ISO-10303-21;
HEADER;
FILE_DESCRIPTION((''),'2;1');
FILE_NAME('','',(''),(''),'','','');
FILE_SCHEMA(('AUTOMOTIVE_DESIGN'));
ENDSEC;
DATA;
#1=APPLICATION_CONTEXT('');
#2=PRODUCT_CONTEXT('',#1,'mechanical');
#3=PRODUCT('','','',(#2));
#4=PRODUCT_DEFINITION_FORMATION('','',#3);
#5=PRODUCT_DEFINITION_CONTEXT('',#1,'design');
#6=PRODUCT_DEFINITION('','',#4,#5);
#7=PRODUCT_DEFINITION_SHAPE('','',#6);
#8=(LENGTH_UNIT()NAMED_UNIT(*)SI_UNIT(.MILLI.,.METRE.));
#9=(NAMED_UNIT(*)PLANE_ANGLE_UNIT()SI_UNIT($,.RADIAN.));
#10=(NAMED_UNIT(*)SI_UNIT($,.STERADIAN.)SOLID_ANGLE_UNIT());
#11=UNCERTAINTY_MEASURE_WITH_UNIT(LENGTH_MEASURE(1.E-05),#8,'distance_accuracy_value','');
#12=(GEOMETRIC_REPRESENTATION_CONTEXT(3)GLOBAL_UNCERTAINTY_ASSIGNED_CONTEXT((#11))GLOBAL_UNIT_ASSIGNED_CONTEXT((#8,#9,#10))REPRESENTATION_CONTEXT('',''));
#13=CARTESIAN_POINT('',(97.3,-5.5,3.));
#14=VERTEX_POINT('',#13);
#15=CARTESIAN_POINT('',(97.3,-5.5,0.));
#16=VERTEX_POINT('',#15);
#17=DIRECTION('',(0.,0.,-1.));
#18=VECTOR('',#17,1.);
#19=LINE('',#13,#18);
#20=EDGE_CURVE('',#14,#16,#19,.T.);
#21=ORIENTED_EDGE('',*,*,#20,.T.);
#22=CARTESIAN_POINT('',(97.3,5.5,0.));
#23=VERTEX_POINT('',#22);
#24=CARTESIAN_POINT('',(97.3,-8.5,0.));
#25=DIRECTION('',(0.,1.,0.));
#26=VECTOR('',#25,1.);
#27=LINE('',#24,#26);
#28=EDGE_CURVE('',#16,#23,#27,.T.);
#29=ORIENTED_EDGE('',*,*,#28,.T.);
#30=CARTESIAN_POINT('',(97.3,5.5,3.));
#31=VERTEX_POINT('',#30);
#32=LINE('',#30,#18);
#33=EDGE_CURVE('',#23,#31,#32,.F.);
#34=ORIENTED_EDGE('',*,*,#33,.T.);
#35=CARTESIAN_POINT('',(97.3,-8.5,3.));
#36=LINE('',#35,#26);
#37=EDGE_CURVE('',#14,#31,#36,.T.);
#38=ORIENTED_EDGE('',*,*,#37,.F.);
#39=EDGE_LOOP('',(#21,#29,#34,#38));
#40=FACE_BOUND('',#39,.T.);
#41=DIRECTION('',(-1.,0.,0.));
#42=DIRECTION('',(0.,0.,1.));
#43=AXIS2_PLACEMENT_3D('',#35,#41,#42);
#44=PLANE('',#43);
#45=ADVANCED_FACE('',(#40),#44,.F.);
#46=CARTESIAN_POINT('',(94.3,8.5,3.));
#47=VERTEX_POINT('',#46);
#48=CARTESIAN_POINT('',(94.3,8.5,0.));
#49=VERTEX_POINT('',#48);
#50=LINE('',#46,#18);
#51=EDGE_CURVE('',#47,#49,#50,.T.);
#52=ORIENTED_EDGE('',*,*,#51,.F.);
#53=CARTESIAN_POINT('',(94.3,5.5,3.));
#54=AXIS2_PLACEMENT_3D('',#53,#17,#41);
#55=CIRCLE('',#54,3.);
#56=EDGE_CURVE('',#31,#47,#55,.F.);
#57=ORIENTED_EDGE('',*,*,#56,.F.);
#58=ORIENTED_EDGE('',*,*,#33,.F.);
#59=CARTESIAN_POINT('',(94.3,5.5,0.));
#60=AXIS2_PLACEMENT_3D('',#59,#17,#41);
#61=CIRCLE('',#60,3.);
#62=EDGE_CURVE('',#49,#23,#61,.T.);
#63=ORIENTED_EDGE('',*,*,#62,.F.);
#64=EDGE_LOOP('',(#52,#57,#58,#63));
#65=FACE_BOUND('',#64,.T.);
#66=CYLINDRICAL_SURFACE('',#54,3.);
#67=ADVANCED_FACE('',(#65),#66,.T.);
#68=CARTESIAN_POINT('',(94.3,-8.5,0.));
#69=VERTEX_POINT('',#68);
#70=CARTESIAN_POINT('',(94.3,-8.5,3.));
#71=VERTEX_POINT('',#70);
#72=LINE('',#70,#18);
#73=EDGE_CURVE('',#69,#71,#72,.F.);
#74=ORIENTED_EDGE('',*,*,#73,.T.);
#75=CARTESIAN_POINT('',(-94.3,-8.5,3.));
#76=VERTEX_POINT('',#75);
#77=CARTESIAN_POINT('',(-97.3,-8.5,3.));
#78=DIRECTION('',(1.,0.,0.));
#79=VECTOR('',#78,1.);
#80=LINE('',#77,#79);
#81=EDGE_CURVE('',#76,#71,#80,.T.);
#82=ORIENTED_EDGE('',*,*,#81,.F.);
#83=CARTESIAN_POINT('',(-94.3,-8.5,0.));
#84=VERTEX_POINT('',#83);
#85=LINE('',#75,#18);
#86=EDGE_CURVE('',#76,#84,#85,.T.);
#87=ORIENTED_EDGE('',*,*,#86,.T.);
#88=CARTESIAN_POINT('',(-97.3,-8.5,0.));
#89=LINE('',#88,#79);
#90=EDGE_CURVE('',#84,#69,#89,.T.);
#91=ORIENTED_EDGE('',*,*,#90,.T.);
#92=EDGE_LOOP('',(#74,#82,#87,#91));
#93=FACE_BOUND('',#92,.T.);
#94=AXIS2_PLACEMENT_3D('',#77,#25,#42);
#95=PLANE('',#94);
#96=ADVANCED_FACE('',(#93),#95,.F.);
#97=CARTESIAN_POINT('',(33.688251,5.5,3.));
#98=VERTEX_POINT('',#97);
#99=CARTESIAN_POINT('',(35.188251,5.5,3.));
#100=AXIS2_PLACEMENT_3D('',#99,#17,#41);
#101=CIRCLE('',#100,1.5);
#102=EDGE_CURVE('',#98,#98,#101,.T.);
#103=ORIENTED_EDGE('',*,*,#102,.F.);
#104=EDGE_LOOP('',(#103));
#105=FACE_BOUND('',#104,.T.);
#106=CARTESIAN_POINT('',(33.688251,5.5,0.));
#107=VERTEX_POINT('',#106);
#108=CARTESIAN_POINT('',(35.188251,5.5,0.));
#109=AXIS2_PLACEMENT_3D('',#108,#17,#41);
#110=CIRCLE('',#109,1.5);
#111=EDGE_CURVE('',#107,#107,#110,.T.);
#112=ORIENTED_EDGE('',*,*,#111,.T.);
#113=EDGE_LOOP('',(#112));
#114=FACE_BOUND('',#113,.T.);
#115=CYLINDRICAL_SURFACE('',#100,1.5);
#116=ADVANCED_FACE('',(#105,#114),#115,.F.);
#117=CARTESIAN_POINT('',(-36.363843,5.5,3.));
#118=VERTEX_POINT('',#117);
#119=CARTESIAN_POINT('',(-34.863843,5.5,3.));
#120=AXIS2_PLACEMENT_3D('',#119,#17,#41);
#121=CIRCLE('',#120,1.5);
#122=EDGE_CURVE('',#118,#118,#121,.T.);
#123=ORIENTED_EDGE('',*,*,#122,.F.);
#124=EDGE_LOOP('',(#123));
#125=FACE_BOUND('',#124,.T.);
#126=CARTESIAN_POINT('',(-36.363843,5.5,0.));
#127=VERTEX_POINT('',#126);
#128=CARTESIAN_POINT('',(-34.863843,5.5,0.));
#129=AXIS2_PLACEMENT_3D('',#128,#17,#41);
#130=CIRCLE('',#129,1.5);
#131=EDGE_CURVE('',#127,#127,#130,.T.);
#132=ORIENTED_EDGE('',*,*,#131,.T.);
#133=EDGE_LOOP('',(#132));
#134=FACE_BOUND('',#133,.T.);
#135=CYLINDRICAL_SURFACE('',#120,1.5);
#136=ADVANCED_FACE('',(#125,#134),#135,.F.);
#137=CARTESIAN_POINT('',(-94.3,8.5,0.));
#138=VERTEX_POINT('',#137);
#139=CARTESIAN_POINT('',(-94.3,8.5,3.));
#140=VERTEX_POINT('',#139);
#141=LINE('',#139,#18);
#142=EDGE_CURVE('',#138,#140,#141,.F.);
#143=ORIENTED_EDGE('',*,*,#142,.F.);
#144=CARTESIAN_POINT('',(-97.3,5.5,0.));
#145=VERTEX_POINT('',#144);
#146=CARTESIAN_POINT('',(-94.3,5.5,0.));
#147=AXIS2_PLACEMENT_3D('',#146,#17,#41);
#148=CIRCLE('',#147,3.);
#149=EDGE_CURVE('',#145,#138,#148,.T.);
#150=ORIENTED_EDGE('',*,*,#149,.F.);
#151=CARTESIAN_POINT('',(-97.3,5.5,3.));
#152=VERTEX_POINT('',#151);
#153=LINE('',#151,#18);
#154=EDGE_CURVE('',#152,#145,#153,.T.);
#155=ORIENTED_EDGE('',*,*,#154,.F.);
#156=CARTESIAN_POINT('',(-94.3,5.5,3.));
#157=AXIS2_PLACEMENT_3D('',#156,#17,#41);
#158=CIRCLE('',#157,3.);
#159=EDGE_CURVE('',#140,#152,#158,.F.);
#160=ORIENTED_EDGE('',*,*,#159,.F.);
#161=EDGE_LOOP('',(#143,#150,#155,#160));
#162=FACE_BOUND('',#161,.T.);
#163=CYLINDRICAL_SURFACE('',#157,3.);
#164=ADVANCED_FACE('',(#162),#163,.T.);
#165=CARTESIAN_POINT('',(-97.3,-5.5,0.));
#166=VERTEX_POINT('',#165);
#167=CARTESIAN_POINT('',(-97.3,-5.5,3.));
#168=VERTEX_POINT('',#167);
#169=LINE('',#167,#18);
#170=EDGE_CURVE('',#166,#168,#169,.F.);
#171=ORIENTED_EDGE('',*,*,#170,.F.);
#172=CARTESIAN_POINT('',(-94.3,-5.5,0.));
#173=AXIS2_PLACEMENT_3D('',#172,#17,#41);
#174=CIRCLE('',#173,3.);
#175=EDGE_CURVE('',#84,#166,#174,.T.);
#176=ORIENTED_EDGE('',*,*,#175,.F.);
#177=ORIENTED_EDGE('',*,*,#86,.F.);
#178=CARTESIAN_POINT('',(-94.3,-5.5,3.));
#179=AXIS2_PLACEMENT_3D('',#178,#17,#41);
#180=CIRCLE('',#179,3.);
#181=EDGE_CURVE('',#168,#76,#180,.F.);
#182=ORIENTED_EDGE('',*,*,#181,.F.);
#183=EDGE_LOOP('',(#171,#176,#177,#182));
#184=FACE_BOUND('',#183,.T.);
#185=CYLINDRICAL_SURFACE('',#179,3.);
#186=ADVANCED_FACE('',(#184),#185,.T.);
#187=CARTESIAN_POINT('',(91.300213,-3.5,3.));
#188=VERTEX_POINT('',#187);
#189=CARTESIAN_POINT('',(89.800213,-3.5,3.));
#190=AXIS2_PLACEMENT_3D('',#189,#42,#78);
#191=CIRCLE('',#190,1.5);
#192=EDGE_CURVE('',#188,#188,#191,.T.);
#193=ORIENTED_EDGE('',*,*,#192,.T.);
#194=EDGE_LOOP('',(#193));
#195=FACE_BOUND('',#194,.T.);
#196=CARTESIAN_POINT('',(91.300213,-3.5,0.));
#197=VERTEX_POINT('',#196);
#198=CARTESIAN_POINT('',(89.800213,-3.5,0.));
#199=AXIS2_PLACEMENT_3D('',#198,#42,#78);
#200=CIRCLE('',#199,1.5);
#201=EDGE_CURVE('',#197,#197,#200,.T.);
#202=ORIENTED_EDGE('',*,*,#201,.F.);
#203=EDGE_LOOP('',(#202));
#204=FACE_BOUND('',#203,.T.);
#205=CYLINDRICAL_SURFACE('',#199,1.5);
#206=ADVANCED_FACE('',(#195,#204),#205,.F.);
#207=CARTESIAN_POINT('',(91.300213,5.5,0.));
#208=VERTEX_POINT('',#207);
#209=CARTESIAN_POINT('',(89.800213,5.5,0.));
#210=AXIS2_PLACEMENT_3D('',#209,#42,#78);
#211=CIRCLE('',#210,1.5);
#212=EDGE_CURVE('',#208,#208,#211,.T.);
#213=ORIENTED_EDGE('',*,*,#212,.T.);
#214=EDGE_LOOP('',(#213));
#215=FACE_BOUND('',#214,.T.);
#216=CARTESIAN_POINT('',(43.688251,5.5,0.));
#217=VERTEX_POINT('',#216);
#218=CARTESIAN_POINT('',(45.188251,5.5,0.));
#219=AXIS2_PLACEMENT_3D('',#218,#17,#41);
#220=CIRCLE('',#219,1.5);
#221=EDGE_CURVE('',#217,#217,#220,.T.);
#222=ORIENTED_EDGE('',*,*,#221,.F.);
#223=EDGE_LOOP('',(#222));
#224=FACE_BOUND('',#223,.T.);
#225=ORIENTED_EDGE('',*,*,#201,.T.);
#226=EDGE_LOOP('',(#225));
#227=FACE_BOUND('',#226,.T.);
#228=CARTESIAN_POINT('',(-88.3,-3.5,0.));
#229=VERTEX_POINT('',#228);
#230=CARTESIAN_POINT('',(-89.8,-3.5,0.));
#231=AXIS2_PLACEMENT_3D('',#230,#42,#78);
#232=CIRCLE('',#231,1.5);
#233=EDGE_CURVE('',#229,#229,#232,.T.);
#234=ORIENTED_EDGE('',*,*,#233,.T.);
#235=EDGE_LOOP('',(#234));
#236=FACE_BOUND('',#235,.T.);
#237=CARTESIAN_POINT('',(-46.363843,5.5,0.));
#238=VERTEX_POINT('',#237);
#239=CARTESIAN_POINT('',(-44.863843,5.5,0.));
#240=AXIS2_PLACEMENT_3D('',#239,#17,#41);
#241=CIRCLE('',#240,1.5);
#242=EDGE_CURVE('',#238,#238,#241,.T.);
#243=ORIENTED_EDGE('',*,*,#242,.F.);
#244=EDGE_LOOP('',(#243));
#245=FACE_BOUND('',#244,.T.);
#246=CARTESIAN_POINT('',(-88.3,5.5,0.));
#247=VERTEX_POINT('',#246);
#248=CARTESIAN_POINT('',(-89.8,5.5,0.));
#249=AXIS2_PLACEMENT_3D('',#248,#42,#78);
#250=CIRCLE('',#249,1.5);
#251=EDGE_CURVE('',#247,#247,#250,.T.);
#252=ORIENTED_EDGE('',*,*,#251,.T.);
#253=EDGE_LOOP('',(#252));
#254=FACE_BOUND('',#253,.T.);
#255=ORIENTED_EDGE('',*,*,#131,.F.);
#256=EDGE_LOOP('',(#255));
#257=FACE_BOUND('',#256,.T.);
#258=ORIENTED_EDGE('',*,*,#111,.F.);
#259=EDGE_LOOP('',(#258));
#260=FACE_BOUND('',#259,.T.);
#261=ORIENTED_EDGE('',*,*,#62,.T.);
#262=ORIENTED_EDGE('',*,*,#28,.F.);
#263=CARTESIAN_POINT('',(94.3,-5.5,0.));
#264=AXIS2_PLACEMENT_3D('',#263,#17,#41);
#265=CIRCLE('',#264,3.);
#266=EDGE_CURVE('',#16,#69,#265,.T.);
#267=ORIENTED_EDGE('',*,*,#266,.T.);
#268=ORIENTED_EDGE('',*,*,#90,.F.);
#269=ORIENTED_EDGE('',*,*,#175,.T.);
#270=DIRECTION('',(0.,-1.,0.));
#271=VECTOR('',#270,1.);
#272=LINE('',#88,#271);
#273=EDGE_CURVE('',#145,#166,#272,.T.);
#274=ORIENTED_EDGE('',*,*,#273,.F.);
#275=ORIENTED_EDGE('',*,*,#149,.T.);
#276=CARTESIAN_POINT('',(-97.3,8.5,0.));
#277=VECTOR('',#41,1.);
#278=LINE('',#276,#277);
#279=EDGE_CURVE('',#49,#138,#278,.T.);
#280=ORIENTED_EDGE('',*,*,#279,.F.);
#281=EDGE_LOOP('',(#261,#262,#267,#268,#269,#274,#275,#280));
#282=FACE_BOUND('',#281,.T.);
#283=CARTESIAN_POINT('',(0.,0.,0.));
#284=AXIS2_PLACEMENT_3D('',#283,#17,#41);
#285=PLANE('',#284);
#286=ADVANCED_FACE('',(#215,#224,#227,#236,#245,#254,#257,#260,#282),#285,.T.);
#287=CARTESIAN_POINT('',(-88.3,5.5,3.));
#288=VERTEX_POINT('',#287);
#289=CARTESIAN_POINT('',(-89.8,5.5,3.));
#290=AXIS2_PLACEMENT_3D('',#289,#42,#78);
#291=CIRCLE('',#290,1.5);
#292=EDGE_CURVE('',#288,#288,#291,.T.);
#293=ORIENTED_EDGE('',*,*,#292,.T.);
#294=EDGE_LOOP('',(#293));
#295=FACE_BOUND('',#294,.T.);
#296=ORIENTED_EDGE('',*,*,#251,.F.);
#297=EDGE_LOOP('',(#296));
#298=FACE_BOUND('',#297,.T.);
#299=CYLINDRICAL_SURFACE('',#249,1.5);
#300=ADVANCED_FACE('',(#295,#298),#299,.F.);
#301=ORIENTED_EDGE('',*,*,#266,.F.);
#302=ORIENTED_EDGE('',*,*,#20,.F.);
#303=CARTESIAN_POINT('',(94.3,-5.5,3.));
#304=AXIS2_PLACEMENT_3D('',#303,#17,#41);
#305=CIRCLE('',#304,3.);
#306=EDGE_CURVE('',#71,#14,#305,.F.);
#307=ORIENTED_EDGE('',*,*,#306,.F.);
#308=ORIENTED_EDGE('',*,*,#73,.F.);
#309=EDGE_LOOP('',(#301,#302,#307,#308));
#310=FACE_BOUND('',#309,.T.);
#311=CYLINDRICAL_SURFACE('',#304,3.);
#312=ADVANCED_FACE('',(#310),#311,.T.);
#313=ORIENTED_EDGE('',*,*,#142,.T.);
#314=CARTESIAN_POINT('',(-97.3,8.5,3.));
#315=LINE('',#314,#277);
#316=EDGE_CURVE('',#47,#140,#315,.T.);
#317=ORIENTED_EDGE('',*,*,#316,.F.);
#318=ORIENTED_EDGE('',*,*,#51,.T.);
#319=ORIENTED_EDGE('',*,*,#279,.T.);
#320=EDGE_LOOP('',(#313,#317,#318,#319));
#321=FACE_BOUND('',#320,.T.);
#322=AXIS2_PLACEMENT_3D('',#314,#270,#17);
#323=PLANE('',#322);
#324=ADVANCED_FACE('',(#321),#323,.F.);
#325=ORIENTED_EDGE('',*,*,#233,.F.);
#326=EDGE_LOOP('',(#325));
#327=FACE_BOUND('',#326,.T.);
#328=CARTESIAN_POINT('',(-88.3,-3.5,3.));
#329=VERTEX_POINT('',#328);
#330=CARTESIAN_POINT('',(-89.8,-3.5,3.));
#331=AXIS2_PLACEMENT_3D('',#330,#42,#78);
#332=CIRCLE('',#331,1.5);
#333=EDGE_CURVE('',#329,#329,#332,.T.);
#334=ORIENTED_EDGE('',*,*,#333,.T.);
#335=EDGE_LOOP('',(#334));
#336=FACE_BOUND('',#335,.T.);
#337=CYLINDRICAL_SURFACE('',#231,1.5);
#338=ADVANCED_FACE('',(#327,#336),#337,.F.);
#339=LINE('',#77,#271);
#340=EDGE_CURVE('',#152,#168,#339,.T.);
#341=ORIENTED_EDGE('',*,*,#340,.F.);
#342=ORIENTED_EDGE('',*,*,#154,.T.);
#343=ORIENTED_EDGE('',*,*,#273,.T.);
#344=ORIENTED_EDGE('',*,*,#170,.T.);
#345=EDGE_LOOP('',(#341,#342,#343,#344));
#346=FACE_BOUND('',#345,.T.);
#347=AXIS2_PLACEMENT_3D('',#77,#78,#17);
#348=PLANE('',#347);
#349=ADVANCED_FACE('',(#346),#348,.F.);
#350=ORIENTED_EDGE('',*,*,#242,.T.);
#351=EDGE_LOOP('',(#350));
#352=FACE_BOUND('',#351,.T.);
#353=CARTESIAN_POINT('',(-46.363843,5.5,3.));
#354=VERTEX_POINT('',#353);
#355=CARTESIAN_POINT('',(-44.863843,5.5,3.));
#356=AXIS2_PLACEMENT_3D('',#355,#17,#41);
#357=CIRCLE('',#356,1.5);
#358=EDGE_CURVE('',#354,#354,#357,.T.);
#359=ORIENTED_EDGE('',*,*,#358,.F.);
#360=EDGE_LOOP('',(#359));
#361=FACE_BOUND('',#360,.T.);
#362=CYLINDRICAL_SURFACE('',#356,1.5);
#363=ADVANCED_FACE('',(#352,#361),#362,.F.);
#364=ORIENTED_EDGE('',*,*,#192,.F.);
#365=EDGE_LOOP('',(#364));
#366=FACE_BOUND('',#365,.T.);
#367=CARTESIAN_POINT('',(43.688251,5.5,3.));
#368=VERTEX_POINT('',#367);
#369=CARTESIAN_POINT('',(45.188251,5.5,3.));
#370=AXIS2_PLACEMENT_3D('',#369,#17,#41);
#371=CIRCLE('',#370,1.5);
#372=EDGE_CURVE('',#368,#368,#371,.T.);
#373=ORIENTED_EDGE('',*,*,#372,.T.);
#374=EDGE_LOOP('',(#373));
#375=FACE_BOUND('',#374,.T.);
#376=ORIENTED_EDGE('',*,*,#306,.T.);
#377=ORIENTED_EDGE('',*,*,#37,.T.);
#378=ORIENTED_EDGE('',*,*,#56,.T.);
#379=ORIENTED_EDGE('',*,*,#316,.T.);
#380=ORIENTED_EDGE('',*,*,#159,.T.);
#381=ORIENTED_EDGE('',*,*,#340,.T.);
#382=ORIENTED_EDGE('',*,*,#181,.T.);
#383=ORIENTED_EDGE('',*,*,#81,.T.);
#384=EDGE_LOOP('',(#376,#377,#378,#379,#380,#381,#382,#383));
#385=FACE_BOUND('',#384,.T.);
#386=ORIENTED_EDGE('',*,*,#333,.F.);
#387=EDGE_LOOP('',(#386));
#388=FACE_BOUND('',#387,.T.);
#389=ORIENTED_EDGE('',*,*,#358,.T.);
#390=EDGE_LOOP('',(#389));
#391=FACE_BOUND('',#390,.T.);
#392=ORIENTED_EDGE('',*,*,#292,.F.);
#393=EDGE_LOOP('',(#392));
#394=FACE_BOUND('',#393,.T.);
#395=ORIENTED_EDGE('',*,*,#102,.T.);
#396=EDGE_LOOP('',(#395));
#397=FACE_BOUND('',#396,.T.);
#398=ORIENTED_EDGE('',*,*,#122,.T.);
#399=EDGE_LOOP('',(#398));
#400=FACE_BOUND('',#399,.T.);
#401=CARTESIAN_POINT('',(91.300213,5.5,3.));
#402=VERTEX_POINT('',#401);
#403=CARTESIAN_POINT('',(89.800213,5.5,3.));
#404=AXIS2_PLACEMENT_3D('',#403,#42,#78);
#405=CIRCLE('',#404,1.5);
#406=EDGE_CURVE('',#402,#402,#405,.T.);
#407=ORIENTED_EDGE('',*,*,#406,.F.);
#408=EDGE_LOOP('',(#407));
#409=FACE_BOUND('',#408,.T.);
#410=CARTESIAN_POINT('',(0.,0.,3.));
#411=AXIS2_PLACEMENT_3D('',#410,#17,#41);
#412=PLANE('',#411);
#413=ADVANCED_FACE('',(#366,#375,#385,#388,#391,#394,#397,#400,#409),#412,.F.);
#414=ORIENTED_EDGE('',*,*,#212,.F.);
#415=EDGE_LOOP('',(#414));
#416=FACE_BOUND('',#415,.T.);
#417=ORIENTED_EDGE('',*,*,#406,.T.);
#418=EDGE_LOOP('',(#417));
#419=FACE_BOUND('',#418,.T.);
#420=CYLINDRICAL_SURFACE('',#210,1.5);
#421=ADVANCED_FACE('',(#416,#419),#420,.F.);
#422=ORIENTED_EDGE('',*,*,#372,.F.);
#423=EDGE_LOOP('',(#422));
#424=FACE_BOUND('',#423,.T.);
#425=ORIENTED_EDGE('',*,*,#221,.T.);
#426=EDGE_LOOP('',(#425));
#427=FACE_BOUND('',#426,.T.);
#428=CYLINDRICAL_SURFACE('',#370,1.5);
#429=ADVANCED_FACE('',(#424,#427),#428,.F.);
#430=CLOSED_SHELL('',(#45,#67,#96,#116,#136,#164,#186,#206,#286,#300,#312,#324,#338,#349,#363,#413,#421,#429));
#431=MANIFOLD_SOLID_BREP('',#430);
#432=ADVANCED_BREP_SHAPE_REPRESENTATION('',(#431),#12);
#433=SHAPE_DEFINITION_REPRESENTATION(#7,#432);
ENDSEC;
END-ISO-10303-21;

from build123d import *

# Parameters (mm, degrees)
SKETCH_1_W          = 194.6
SKETCH_1_H          = 17
EXTRUDE_1_DEPTH     = 3
FILLET_1_R          = 3
SKETCH_2_R          = 1.5
CUT_EXTRUDE_1_DEPTH = 3
SKETCH_3_R          = 1.5
CUT_EXTRUDE_2_DEPTH = 3
SKETCH_5_R          = 1.5
CUT_EXTRUDE_3_DEPTH = 3


with BuildPart() as part:
    # 草图1 → 凸台-拉伸1 (new body)
    with BuildSketch(Plane.XY):
        Rectangle(SKETCH_1_W, SKETCH_1_H)
    extrude(amount=EXTRUDE_1_DEPTH)

    # 圆角1
    fillet_1_edges = [part.edges().sort_by_distance(p)[0] for p in [
        (97.3, -8.5, 1.5),
        (-97.3, -8.5, 1.5),
        (-97.3, 8.5, 1.5),
        (97.3, 8.5, 1.5),
    ]]
    fillet(fillet_1_edges, radius=FILLET_1_R)

    # 草图2 → 切除-拉伸1 (cut)
    with BuildSketch(Plane.XY.offset(3)):
        with Locations((89.800213401, 5.5)):
            Circle(SKETCH_2_R)
        with Locations((89.800213401, -3.5)):
            Circle(SKETCH_2_R)
        with Locations((-89.8, -3.5)):
            Circle(SKETCH_2_R)
        with Locations((-89.8, 5.5)):
            Circle(SKETCH_2_R)
    extrude(amount=-CUT_EXTRUDE_1_DEPTH, mode=Mode.SUBTRACT)

    # 草图3 → 切除-拉伸2 (cut)
    with BuildSketch(Plane(origin=(0, 0, 0), x_dir=(-1, 0, 0), z_dir=(0, 0, -1))):
        with Locations((44.863842933, 5.5)):
            Circle(SKETCH_3_R)
        with Locations((34.863842933, 5.5)):
            Circle(SKETCH_3_R)
    extrude(amount=-CUT_EXTRUDE_2_DEPTH, mode=Mode.SUBTRACT)

    # 草图5 → 切除-拉伸3 (cut)
    with BuildSketch(Plane(origin=(0, 0, 0), x_dir=(-1, 0, 0), z_dir=(0, 0, -1))):
        with Locations((-45.188251481, 5.5)):
            Circle(SKETCH_5_R)
        with Locations((-35.188251481, 5.5)):
            Circle(SKETCH_5_R)
    extrude(amount=-CUT_EXTRUDE_3_DEPTH, mode=Mode.SUBTRACT)


solid = part.part
